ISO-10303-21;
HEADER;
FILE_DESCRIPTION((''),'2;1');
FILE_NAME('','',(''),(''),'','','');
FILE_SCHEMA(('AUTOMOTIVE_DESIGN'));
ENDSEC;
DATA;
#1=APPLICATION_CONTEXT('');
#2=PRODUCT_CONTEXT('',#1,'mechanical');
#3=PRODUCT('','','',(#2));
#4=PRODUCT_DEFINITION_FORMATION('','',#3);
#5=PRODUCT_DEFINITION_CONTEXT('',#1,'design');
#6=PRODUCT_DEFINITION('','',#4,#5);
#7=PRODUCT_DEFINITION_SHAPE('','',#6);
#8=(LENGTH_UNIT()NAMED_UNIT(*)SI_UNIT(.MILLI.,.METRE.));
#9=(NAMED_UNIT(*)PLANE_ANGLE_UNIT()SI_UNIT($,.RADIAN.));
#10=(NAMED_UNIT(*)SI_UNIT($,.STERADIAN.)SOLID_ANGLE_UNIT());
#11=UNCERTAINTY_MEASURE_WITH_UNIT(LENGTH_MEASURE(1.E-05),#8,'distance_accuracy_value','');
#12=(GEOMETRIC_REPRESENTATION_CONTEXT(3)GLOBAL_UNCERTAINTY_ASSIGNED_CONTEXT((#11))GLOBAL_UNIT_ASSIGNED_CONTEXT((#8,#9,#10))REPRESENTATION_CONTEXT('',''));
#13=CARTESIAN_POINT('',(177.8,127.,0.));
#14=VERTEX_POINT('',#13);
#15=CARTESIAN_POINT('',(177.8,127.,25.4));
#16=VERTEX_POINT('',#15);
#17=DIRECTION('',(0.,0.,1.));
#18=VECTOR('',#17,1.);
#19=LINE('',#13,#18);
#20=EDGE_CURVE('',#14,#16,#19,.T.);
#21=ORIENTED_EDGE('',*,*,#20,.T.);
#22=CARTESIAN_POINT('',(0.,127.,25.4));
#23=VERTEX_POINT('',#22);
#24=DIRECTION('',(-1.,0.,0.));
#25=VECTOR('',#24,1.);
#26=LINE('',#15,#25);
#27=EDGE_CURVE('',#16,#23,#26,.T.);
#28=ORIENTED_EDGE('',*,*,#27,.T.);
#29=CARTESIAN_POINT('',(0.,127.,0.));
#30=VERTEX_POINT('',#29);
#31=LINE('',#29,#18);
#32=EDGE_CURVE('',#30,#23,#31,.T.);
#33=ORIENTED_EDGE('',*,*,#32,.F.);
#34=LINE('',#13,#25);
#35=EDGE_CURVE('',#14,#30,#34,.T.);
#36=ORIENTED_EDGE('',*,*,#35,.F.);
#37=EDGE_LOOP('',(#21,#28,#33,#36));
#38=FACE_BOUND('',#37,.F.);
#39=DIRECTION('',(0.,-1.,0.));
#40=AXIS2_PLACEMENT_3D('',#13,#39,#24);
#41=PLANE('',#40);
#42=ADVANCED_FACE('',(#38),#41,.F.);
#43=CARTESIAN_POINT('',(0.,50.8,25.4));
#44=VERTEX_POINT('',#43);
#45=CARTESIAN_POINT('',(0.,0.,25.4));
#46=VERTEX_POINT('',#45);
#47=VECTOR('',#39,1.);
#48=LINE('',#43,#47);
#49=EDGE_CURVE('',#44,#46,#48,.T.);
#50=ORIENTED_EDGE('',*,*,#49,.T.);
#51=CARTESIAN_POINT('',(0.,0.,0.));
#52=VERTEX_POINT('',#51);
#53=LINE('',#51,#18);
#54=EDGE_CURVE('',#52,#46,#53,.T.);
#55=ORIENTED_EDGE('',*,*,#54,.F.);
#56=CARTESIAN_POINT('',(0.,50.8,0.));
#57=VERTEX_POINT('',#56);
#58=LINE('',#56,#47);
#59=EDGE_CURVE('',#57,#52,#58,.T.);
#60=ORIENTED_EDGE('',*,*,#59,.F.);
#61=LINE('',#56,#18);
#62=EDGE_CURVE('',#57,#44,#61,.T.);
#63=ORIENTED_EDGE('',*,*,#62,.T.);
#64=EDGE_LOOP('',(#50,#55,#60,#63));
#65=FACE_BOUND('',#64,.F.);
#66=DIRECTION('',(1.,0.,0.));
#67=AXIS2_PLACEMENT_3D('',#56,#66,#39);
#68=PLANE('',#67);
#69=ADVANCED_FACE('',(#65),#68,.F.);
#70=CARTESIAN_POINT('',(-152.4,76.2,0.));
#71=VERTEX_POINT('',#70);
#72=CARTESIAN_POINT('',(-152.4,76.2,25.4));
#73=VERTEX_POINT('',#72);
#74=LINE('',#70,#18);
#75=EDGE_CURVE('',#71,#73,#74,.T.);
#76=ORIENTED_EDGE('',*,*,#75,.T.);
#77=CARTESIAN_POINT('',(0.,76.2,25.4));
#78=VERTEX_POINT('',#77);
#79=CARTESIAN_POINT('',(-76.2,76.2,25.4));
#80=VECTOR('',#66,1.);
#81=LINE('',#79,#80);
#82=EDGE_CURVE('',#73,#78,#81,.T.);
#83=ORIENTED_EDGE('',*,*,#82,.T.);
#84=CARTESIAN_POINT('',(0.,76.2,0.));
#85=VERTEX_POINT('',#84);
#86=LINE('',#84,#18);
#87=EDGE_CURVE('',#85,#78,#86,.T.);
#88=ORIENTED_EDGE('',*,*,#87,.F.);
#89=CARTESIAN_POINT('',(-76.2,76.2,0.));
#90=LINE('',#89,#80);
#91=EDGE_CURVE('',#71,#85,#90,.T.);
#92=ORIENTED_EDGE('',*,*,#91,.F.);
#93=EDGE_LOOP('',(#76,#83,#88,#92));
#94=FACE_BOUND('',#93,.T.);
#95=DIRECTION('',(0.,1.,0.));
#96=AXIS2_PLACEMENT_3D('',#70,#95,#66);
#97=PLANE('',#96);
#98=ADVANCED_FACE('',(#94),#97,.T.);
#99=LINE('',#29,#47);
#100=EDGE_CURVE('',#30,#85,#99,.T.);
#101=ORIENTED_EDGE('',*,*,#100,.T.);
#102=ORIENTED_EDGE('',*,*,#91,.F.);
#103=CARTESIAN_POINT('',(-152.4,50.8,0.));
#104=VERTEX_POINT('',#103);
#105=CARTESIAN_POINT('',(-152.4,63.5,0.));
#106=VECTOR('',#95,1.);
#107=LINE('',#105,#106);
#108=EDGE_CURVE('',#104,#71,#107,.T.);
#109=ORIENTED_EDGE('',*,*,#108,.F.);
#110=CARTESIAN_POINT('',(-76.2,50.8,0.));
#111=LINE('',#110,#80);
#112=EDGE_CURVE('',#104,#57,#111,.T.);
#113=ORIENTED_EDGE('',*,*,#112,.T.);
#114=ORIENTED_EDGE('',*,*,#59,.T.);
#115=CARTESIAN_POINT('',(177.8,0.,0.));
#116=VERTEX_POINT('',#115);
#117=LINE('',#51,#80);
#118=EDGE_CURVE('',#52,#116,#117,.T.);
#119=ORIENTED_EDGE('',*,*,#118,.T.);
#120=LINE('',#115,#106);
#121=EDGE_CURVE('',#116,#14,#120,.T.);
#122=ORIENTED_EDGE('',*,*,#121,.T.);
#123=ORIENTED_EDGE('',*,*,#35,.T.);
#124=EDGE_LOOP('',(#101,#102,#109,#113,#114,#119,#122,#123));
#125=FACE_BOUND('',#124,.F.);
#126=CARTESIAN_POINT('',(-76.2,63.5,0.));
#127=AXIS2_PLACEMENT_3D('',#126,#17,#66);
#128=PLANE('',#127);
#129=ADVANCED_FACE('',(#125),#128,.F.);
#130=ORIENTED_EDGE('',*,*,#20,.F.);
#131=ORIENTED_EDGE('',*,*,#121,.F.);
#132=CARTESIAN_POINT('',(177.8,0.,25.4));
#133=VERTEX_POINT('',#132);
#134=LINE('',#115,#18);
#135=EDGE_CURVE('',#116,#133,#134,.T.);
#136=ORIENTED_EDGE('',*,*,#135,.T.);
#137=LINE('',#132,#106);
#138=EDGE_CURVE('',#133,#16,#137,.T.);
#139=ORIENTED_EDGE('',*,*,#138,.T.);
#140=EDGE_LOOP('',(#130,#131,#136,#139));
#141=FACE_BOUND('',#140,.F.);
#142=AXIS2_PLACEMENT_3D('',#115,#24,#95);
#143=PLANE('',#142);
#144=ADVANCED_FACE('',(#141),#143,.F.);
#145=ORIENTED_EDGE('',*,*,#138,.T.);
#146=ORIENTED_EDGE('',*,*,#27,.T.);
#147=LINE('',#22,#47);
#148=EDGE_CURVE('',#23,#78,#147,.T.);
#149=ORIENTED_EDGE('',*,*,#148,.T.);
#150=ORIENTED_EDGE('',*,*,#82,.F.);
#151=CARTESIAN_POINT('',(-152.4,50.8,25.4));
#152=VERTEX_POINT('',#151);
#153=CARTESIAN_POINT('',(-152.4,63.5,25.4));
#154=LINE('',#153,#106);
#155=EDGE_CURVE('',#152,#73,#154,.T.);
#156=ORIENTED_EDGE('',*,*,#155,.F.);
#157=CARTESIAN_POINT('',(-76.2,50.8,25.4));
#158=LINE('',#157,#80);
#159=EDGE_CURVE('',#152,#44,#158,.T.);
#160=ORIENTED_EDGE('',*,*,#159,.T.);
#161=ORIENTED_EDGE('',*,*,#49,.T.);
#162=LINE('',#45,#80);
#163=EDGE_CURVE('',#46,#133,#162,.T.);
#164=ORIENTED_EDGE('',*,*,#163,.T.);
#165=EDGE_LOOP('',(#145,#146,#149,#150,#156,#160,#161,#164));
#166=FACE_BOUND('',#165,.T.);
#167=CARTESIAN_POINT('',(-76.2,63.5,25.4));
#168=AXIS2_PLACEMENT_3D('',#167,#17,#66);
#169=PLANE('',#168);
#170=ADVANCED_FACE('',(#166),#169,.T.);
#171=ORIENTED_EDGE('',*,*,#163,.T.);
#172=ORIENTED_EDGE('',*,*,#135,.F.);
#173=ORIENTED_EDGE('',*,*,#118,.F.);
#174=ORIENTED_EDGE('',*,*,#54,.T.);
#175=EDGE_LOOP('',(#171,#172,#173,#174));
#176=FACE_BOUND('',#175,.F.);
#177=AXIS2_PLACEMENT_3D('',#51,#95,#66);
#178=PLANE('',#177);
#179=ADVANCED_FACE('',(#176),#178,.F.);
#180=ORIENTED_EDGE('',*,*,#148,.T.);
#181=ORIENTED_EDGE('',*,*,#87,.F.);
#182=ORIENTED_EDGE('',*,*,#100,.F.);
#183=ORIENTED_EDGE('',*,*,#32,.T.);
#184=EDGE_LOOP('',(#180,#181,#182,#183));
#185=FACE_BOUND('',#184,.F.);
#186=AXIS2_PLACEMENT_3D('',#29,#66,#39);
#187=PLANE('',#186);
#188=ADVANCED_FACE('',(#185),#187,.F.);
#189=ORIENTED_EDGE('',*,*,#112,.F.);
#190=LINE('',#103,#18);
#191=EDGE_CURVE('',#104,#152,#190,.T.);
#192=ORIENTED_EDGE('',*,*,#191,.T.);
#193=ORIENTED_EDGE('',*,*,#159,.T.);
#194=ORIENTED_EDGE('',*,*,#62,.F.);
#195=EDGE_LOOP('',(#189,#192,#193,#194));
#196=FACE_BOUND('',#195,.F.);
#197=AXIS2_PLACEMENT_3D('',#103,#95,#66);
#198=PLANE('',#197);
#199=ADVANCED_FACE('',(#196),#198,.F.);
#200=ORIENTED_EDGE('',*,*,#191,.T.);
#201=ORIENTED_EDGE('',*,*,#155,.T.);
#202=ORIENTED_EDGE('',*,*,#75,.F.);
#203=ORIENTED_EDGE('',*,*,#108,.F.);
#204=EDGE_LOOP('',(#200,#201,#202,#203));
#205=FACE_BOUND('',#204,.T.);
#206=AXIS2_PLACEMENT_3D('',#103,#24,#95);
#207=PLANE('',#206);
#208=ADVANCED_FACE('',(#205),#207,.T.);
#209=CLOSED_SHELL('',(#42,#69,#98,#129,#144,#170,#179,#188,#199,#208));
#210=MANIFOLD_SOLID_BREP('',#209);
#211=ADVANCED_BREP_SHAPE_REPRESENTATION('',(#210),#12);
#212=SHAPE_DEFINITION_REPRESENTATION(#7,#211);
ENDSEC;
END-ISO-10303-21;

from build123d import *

# Parameters (mm, degrees)
F0_W     = 152.4
F0_H     = 25.4
F1_DEPTH = 25.4


with BuildPart() as f1:
    # F0 (on Top) → F1 (new body)
    with BuildSketch(Plane.XY):
        with Locations((-76.2, 63.5)):
            Rectangle(F0_W, F0_H)
        Polygon((0, 50.8), (0, 0), (177.8, 0), (177.8, 127), (0, 127), (0, 76.2), align=None)
    extrude(amount=F1_DEPTH)


solid = f1.part
